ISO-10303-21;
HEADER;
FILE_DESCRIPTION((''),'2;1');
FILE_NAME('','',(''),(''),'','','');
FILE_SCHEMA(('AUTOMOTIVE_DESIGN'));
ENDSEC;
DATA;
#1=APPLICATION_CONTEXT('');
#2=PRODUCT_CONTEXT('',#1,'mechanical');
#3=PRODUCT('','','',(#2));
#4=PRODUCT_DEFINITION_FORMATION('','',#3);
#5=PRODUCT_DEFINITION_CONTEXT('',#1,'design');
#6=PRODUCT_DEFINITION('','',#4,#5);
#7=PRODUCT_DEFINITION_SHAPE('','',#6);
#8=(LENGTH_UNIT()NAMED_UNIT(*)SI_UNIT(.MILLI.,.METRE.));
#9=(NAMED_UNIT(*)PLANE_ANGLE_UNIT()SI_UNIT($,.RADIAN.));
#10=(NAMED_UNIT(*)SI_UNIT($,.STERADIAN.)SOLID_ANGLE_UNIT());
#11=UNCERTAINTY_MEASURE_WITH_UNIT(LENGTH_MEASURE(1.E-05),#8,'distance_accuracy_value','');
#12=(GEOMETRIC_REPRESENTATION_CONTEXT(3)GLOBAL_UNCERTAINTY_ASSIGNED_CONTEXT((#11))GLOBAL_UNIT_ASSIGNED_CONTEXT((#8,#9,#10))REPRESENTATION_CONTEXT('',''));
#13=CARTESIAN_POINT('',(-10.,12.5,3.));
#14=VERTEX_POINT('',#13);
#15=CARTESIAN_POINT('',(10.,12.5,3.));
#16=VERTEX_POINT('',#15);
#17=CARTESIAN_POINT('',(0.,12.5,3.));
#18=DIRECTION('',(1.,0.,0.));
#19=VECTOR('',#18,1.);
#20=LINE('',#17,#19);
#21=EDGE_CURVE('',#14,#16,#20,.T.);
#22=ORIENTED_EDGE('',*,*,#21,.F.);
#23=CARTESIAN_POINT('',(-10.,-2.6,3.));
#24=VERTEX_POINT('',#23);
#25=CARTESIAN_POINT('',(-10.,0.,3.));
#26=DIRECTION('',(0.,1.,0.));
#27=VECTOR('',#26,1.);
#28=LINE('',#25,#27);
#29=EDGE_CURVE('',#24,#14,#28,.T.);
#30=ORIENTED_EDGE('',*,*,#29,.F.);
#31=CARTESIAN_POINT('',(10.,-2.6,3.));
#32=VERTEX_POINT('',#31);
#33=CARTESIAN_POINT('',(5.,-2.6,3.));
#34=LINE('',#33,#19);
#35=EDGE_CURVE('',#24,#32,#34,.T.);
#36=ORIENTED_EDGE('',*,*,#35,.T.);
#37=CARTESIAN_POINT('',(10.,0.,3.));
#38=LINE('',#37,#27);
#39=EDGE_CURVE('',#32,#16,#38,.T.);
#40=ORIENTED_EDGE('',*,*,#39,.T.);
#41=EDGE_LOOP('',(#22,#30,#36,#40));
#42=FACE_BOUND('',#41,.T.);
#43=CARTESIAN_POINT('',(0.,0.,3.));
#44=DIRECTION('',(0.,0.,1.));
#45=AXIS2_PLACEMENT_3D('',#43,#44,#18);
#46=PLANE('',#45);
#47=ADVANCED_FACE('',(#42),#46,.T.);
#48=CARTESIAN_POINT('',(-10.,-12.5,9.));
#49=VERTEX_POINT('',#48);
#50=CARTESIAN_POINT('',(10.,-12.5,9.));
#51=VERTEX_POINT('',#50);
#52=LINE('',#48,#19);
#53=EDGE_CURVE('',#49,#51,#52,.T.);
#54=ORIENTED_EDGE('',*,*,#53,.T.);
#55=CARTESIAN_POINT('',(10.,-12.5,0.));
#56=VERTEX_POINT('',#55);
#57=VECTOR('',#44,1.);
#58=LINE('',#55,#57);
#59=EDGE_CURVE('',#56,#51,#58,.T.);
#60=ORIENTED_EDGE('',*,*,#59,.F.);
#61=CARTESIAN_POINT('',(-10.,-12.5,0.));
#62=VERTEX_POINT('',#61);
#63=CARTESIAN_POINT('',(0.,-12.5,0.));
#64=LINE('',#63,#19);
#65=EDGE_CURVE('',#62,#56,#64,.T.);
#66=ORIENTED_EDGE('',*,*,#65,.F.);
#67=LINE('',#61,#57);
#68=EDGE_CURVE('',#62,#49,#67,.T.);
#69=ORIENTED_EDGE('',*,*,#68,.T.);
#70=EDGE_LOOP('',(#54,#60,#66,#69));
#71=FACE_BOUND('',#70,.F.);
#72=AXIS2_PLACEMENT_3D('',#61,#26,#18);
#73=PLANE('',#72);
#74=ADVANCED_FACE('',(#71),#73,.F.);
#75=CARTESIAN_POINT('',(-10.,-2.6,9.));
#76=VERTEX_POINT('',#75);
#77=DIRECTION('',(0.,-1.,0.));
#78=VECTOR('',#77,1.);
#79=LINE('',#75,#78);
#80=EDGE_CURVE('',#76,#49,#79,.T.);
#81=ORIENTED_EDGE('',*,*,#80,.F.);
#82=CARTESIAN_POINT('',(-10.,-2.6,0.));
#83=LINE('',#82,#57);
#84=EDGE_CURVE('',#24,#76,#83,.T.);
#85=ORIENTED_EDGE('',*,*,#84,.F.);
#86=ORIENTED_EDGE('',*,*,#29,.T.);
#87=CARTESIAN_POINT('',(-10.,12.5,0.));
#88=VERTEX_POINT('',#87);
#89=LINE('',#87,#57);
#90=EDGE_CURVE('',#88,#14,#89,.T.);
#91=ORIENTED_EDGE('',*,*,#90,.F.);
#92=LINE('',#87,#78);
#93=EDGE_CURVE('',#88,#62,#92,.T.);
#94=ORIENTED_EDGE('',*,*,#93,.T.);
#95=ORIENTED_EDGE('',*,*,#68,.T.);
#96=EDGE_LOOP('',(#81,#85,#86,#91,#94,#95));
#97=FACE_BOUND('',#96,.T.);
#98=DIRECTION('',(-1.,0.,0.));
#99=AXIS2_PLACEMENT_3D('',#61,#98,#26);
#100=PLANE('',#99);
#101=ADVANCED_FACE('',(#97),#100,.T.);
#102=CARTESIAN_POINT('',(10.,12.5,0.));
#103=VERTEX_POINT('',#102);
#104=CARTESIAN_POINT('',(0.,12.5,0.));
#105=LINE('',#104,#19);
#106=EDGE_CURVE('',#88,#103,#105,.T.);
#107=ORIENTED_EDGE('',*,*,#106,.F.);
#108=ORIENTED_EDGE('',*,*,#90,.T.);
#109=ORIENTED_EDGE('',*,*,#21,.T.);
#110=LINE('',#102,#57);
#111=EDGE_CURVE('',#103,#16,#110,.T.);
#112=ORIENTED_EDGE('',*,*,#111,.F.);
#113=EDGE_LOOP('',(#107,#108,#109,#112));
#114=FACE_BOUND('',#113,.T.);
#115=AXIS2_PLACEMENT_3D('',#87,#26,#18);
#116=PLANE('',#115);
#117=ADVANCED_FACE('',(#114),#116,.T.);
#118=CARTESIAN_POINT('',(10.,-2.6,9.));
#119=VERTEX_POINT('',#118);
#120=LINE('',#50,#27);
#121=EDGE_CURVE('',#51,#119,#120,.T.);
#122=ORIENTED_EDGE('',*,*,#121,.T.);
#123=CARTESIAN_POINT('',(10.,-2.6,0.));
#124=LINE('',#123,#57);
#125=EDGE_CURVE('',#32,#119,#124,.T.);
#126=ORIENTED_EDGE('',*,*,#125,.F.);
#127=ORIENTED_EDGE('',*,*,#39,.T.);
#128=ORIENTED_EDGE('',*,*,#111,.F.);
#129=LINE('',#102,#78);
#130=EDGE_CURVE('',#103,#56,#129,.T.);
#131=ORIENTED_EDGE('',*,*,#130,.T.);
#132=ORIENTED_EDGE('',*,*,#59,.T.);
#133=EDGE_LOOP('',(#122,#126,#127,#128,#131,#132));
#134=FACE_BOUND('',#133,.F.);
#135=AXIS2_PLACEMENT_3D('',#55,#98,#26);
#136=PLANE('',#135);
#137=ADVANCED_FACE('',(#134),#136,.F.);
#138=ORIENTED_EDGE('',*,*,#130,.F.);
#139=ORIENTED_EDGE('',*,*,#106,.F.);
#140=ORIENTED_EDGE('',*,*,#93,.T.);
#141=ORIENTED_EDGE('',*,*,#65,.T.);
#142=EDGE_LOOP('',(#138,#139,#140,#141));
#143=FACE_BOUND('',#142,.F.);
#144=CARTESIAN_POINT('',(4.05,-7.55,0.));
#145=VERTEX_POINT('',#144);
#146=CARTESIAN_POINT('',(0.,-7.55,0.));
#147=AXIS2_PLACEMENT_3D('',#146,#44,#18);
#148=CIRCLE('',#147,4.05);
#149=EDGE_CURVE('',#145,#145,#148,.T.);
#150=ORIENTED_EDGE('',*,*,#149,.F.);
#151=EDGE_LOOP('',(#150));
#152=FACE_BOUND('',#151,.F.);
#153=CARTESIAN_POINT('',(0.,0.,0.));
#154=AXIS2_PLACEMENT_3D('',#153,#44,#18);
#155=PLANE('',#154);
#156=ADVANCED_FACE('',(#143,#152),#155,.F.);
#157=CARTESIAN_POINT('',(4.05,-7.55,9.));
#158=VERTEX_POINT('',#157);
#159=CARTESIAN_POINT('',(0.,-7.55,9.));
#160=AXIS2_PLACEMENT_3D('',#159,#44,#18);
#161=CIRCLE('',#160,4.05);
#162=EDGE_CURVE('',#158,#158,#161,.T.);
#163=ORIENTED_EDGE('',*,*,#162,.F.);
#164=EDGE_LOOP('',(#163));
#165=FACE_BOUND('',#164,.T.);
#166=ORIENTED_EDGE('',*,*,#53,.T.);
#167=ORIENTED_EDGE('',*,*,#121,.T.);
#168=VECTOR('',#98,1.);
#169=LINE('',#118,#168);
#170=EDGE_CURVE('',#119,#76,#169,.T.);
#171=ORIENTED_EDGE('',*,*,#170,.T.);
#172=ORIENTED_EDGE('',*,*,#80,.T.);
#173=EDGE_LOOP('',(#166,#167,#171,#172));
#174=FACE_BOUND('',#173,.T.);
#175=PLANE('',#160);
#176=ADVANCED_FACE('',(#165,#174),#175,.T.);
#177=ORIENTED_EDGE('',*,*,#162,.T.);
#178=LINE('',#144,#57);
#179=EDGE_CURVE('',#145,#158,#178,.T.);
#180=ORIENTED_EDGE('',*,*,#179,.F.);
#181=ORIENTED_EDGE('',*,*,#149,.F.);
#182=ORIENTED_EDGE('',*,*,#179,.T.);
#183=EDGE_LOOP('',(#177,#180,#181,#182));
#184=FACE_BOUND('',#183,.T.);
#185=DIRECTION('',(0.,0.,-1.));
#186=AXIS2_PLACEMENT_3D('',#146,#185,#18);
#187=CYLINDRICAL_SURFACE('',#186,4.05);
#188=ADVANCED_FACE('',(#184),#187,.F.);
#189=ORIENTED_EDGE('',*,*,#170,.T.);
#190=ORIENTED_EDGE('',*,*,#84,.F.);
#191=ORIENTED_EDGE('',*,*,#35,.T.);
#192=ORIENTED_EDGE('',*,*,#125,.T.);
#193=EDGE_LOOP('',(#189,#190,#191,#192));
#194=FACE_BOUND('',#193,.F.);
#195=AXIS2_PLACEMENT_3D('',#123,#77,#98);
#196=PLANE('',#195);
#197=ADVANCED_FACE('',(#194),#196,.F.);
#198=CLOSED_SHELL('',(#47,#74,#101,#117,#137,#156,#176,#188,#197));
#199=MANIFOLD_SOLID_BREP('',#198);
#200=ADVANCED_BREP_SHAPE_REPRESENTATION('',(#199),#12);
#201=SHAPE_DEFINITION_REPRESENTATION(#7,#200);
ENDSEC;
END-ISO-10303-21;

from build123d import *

# Parameters (mm, degrees)
F0_W     = 20
F0_H     = 25
F1_DEPTH = 3
F3_DEPTH = 9
F4_R     = 4.05
F5_DEPTH = 9


with BuildPart() as f1:
    # F0 (on Top) → F1 (new body)
    with BuildSketch(Plane.XY):
        Rectangle(F0_W, F0_H)
    extrude(amount=F1_DEPTH)

    # F2 (on Top) → F3 (join)
    with BuildSketch(Plane.XY):
        Polygon((10, -2.6), (-10, -2.6), (-10, -6.8), (-10, -12.5), (10, -12.5), (10, -7.5), align=None)
    extrude(amount=F3_DEPTH)

    # F4 (on Top) → F5 (cut, through all)
    with BuildSketch(Plane.XY):
        with Locations((0, -7.55)):
            Circle(F4_R)
    extrude(amount=F5_DEPTH, mode=Mode.SUBTRACT)


solid = f1.part
